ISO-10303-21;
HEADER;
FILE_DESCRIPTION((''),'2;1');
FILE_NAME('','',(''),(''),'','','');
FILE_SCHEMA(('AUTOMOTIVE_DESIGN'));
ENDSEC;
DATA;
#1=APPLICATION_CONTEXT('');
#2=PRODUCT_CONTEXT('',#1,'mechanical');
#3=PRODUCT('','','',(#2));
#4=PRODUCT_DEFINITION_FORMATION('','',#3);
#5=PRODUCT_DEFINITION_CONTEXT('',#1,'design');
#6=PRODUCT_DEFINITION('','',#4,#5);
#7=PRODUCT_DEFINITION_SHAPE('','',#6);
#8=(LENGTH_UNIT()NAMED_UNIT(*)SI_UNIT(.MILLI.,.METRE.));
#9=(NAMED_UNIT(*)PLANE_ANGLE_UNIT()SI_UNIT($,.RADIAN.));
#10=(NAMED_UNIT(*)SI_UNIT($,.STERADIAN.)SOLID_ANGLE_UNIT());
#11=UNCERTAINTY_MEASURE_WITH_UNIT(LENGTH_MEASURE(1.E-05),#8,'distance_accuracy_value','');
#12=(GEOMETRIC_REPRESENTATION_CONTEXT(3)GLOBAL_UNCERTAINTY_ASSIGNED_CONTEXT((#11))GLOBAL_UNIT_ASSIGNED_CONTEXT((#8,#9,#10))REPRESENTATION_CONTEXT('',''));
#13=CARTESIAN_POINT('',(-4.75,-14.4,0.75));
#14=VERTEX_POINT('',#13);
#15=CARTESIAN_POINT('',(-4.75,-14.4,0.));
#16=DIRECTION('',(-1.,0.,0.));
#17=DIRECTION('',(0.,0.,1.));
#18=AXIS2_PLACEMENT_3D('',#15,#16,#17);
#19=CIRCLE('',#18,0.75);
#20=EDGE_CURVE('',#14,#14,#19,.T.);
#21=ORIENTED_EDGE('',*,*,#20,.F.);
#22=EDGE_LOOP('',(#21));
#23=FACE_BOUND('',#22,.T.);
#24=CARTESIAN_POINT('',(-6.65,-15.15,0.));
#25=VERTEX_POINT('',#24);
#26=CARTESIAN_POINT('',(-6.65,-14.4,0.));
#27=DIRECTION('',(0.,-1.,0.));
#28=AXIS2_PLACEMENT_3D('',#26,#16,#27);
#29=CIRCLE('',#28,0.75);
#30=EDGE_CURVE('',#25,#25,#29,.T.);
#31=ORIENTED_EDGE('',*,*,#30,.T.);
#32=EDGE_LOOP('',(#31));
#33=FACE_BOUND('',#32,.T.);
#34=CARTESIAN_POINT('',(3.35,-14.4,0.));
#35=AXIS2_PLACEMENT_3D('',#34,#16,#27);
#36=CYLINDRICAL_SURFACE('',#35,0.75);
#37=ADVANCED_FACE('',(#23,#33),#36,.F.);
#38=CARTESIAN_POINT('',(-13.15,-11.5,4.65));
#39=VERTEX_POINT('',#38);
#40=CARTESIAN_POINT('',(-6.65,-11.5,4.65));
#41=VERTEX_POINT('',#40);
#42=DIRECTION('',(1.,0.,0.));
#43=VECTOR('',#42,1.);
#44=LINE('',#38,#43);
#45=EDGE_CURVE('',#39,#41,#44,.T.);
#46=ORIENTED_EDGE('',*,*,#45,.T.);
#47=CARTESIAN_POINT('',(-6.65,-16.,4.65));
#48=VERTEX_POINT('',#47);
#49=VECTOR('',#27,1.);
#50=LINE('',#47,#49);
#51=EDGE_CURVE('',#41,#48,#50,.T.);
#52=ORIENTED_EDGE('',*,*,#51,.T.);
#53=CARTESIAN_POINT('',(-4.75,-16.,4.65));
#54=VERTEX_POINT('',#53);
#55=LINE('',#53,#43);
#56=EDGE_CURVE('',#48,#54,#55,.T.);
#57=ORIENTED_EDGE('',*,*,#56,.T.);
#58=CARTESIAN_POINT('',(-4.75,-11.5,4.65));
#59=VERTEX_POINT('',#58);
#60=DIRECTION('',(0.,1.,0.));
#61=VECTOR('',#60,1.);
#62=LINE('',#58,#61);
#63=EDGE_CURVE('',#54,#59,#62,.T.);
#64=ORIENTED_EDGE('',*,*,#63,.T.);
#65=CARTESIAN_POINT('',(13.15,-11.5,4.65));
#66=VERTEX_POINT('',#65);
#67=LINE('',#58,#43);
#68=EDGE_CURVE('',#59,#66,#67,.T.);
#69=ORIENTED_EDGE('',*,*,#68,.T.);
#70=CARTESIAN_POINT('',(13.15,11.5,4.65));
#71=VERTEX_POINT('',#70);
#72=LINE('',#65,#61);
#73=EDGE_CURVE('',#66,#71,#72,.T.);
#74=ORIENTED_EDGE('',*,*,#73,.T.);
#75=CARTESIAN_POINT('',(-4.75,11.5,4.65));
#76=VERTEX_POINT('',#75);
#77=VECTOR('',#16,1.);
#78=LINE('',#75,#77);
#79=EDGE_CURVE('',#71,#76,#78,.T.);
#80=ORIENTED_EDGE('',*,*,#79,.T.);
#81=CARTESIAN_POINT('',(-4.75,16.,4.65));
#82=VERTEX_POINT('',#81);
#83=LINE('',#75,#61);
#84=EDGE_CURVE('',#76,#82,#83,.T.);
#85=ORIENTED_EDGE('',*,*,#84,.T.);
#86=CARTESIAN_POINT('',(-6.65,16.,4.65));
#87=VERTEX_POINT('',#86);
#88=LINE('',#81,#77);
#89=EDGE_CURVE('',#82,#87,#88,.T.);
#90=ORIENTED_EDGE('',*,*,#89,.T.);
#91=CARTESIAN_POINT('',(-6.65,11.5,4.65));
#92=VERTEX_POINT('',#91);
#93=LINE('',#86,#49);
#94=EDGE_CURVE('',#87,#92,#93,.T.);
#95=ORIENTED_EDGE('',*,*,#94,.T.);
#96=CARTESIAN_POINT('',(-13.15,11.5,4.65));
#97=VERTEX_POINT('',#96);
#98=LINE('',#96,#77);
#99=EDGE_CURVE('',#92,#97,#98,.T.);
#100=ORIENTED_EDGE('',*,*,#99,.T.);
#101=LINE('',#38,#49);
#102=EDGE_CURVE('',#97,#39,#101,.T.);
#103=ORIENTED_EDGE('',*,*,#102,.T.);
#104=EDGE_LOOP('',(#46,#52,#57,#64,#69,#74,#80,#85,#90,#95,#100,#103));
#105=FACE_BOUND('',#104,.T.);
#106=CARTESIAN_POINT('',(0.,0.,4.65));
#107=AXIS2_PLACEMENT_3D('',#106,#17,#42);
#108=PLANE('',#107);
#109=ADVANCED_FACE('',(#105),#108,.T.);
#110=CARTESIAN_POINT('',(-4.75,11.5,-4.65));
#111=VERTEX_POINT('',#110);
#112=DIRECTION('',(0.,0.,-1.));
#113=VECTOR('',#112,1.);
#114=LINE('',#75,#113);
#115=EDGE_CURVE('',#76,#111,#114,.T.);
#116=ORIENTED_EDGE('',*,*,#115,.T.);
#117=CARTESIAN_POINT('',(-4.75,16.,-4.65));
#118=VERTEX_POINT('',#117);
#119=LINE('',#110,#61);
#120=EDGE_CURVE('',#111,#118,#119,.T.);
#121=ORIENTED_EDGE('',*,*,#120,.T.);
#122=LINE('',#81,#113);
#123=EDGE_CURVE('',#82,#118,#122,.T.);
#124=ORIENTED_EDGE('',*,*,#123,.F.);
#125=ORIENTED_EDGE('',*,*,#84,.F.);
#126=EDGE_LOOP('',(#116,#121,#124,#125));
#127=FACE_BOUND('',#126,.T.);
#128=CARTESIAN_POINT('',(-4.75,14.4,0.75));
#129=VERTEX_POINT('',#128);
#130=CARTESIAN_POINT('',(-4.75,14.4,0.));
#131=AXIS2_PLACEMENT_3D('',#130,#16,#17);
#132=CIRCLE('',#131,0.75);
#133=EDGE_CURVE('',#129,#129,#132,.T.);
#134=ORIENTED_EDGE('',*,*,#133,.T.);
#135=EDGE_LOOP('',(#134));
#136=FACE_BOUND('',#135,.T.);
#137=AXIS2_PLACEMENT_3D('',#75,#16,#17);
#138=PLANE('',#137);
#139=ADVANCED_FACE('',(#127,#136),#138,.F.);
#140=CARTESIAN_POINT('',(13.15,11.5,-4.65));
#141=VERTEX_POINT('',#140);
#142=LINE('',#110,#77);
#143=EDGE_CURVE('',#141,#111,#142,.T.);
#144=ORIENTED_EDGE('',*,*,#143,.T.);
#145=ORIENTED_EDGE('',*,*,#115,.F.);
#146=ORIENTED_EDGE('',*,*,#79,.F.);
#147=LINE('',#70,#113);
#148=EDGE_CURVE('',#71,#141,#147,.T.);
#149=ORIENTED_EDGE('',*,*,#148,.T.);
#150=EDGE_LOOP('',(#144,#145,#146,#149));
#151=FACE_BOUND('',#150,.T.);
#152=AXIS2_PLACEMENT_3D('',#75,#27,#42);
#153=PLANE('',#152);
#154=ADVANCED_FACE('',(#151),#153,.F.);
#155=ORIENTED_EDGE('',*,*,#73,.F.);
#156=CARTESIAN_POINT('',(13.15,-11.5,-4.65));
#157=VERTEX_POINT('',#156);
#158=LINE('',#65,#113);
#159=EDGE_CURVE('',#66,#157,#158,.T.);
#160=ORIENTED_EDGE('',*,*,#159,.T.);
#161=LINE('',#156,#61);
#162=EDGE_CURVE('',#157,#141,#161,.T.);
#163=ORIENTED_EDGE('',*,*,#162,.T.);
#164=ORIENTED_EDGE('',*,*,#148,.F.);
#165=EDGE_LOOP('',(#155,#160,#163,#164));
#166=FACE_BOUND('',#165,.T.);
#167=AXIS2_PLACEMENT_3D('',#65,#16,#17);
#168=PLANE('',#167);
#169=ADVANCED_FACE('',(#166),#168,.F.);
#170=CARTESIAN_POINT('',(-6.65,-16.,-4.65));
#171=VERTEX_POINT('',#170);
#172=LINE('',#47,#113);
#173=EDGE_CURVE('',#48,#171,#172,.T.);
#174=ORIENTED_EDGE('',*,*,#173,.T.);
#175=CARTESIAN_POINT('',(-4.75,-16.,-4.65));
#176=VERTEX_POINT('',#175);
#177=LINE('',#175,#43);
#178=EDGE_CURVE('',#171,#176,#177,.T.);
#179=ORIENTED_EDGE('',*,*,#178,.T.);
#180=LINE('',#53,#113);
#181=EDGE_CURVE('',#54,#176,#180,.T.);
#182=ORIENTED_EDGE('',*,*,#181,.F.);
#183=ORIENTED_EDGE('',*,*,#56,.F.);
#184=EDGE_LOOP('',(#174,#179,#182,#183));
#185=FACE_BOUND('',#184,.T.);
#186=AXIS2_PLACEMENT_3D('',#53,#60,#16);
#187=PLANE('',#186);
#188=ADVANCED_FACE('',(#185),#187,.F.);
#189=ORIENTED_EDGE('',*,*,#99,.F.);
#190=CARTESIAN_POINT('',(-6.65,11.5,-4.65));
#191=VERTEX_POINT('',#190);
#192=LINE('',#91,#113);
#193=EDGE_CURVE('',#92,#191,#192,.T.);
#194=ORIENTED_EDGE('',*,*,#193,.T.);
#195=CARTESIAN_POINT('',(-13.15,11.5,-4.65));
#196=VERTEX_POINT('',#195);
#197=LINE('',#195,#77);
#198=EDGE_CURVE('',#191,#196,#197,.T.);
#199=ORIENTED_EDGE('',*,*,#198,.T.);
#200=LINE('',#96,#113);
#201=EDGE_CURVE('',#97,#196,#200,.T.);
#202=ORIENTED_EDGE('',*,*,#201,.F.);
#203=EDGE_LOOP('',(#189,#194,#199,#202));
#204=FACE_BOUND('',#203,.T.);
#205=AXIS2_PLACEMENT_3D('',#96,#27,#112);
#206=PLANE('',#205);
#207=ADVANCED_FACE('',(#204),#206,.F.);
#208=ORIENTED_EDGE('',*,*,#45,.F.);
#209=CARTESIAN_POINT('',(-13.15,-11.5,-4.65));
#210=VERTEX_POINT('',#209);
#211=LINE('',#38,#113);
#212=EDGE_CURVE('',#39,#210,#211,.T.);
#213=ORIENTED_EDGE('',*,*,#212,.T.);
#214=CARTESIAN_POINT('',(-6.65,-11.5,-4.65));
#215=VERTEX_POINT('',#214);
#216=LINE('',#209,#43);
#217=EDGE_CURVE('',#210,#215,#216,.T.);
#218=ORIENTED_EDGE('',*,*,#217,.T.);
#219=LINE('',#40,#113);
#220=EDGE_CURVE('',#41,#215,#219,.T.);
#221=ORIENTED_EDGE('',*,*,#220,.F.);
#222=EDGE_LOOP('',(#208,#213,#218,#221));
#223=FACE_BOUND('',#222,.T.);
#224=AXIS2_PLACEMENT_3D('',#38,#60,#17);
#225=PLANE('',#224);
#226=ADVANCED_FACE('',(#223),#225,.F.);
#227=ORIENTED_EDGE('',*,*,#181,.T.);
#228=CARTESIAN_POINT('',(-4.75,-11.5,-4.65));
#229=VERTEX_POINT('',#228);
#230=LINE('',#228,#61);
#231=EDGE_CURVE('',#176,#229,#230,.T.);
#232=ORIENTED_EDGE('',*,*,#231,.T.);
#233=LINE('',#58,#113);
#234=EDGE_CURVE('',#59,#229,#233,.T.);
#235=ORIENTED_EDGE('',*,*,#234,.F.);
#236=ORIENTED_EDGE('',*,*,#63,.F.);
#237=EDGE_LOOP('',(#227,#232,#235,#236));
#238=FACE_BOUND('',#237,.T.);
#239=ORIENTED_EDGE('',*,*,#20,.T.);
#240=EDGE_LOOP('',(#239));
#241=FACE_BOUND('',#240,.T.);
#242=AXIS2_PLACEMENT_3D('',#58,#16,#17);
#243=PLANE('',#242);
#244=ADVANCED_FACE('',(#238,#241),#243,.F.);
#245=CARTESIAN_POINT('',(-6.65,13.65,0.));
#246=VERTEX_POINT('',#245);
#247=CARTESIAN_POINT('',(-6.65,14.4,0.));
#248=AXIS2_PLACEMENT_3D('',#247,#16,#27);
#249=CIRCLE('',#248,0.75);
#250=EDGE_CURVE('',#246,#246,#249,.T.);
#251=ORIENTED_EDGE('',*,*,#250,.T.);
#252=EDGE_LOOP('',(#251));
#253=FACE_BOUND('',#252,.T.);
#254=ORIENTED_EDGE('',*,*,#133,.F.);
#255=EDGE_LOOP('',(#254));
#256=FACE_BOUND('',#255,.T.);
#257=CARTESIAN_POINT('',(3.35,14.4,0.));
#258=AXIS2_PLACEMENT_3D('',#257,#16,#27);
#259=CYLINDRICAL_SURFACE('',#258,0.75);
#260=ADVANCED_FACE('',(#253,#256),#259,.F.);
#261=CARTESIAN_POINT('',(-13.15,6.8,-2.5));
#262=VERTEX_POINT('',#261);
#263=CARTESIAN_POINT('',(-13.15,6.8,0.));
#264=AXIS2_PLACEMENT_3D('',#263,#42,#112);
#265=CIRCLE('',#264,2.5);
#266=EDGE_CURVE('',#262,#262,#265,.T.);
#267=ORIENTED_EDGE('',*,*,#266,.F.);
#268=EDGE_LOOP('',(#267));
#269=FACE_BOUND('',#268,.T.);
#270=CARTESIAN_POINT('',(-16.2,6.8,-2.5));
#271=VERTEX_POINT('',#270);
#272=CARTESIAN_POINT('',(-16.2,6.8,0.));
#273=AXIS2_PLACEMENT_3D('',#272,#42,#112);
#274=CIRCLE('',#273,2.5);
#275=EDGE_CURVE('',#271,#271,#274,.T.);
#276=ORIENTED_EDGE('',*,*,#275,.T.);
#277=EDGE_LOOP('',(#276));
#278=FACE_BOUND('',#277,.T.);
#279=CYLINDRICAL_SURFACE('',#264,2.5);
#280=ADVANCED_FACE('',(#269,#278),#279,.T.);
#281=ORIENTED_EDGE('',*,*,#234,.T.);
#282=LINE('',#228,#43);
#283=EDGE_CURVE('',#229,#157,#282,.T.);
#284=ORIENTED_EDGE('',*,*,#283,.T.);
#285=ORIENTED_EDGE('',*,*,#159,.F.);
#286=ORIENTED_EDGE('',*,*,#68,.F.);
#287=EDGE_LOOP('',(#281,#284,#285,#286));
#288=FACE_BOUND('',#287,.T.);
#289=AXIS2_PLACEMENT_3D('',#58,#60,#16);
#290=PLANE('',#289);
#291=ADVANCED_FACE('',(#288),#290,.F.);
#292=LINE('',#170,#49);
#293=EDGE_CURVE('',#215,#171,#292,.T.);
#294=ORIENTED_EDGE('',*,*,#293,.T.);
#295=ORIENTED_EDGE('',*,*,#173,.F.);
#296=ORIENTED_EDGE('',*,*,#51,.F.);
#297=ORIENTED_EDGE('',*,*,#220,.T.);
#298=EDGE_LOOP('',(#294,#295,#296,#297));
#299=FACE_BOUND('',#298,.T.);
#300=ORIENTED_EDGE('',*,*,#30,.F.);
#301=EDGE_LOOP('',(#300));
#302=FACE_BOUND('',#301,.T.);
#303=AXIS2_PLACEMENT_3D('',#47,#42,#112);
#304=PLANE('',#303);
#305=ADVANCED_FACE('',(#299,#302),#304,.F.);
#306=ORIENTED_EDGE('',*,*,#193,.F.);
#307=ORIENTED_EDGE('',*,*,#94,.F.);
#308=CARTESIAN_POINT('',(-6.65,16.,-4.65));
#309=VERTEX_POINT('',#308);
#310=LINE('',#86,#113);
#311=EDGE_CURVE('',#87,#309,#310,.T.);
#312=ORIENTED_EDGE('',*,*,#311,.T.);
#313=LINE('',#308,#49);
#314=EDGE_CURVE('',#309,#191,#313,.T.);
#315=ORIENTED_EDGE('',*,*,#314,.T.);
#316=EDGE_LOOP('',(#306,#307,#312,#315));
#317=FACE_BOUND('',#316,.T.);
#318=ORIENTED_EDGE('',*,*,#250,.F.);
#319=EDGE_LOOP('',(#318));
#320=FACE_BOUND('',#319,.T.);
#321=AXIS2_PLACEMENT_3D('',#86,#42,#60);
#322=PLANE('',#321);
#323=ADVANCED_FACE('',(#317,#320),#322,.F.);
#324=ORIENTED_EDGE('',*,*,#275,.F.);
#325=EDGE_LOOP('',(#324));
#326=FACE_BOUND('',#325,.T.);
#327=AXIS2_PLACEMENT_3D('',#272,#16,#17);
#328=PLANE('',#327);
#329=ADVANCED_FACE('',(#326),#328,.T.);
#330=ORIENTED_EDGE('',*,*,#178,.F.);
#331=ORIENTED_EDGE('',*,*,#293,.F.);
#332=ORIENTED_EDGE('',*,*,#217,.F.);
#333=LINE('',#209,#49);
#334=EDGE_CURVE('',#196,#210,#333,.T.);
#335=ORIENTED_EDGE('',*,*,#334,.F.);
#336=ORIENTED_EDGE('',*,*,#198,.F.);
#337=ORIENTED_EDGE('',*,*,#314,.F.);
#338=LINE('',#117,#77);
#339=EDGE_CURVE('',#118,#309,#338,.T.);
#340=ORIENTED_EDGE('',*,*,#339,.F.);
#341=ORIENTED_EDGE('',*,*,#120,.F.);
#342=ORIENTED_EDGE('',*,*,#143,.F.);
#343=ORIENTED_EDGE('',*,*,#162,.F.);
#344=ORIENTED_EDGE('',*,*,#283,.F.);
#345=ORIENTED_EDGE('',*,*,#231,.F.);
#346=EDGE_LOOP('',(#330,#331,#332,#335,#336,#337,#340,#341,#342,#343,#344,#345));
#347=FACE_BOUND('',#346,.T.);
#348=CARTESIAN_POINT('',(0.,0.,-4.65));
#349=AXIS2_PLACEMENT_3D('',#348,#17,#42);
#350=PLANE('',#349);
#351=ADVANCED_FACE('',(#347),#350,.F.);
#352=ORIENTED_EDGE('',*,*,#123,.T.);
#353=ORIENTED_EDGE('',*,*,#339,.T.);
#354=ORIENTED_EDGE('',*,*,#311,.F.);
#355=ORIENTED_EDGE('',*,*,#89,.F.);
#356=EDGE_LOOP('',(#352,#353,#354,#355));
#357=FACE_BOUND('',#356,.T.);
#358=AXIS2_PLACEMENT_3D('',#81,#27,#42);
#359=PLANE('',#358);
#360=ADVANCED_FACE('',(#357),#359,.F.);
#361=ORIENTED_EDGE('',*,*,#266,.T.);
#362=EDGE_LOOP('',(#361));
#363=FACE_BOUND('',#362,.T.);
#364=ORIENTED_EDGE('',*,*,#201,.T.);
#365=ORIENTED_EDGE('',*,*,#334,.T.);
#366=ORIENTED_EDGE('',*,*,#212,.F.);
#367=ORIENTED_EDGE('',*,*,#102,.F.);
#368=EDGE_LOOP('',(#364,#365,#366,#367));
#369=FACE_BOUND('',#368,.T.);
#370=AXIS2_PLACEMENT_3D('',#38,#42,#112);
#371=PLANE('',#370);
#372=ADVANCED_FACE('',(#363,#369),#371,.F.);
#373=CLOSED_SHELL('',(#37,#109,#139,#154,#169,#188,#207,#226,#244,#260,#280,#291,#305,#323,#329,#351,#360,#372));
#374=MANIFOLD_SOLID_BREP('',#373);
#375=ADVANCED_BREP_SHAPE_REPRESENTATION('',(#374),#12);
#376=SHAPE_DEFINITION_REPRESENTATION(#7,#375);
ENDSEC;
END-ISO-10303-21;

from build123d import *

# Parameters (mm, degrees)
BOSS_EXTRUDE1_DEPTH = 4.65
SKETCH3_W           = 3.05
SKETCH3_H           = 2.5
SKETCH4_R           = 0.75
CUT_EXTRUDE1_DEPTH  = 10


with BuildPart() as part:
    # Sketch1 → Boss-Extrude1 (new, symmetric)
    with BuildSketch(Plane.XY):
        Polygon((-4.75, 11.5), (-4.75, 16), (-6.65, 16), (-6.65, 11.5), (-13.15, 11.5), (-13.15, -11.5), (-6.65, -11.5), (-6.65, -16), (-4.75, -16), (-4.75, -11.5), (13.15, -11.5), (13.15, 11.5), align=None)
    extrude(amount=BOSS_EXTRUDE1_DEPTH, both=True)

    # Sketch3 → Revolve1 (revolve)
    with BuildSketch(Plane.XY, mode=Mode.PRIVATE) as revolve1_sk:
        with Locations((-14.675, 8.05)):
            Rectangle(SKETCH3_W, SKETCH3_H)
    revolve(revolve1_sk.sketch.rotate(Axis((-13.15, 6.8, 0), (-1, 0, 0)), 90), axis=Axis((-13.15, 6.8, 0), (-1, 0, 0)))

    # Sketch4 → Cut-Extrude1 (cut)
    with BuildSketch(Plane.ZY.offset(6.65)):
        with Locations(Location((0, 14.4, 0), (0, 0, 270))):
            Circle(SKETCH4_R)
        with Locations(Location((0, -14.4, 0), (0, 0, 270))):
            Circle(SKETCH4_R)
    extrude(amount=-CUT_EXTRUDE1_DEPTH, mode=Mode.SUBTRACT)


solid = part.part
